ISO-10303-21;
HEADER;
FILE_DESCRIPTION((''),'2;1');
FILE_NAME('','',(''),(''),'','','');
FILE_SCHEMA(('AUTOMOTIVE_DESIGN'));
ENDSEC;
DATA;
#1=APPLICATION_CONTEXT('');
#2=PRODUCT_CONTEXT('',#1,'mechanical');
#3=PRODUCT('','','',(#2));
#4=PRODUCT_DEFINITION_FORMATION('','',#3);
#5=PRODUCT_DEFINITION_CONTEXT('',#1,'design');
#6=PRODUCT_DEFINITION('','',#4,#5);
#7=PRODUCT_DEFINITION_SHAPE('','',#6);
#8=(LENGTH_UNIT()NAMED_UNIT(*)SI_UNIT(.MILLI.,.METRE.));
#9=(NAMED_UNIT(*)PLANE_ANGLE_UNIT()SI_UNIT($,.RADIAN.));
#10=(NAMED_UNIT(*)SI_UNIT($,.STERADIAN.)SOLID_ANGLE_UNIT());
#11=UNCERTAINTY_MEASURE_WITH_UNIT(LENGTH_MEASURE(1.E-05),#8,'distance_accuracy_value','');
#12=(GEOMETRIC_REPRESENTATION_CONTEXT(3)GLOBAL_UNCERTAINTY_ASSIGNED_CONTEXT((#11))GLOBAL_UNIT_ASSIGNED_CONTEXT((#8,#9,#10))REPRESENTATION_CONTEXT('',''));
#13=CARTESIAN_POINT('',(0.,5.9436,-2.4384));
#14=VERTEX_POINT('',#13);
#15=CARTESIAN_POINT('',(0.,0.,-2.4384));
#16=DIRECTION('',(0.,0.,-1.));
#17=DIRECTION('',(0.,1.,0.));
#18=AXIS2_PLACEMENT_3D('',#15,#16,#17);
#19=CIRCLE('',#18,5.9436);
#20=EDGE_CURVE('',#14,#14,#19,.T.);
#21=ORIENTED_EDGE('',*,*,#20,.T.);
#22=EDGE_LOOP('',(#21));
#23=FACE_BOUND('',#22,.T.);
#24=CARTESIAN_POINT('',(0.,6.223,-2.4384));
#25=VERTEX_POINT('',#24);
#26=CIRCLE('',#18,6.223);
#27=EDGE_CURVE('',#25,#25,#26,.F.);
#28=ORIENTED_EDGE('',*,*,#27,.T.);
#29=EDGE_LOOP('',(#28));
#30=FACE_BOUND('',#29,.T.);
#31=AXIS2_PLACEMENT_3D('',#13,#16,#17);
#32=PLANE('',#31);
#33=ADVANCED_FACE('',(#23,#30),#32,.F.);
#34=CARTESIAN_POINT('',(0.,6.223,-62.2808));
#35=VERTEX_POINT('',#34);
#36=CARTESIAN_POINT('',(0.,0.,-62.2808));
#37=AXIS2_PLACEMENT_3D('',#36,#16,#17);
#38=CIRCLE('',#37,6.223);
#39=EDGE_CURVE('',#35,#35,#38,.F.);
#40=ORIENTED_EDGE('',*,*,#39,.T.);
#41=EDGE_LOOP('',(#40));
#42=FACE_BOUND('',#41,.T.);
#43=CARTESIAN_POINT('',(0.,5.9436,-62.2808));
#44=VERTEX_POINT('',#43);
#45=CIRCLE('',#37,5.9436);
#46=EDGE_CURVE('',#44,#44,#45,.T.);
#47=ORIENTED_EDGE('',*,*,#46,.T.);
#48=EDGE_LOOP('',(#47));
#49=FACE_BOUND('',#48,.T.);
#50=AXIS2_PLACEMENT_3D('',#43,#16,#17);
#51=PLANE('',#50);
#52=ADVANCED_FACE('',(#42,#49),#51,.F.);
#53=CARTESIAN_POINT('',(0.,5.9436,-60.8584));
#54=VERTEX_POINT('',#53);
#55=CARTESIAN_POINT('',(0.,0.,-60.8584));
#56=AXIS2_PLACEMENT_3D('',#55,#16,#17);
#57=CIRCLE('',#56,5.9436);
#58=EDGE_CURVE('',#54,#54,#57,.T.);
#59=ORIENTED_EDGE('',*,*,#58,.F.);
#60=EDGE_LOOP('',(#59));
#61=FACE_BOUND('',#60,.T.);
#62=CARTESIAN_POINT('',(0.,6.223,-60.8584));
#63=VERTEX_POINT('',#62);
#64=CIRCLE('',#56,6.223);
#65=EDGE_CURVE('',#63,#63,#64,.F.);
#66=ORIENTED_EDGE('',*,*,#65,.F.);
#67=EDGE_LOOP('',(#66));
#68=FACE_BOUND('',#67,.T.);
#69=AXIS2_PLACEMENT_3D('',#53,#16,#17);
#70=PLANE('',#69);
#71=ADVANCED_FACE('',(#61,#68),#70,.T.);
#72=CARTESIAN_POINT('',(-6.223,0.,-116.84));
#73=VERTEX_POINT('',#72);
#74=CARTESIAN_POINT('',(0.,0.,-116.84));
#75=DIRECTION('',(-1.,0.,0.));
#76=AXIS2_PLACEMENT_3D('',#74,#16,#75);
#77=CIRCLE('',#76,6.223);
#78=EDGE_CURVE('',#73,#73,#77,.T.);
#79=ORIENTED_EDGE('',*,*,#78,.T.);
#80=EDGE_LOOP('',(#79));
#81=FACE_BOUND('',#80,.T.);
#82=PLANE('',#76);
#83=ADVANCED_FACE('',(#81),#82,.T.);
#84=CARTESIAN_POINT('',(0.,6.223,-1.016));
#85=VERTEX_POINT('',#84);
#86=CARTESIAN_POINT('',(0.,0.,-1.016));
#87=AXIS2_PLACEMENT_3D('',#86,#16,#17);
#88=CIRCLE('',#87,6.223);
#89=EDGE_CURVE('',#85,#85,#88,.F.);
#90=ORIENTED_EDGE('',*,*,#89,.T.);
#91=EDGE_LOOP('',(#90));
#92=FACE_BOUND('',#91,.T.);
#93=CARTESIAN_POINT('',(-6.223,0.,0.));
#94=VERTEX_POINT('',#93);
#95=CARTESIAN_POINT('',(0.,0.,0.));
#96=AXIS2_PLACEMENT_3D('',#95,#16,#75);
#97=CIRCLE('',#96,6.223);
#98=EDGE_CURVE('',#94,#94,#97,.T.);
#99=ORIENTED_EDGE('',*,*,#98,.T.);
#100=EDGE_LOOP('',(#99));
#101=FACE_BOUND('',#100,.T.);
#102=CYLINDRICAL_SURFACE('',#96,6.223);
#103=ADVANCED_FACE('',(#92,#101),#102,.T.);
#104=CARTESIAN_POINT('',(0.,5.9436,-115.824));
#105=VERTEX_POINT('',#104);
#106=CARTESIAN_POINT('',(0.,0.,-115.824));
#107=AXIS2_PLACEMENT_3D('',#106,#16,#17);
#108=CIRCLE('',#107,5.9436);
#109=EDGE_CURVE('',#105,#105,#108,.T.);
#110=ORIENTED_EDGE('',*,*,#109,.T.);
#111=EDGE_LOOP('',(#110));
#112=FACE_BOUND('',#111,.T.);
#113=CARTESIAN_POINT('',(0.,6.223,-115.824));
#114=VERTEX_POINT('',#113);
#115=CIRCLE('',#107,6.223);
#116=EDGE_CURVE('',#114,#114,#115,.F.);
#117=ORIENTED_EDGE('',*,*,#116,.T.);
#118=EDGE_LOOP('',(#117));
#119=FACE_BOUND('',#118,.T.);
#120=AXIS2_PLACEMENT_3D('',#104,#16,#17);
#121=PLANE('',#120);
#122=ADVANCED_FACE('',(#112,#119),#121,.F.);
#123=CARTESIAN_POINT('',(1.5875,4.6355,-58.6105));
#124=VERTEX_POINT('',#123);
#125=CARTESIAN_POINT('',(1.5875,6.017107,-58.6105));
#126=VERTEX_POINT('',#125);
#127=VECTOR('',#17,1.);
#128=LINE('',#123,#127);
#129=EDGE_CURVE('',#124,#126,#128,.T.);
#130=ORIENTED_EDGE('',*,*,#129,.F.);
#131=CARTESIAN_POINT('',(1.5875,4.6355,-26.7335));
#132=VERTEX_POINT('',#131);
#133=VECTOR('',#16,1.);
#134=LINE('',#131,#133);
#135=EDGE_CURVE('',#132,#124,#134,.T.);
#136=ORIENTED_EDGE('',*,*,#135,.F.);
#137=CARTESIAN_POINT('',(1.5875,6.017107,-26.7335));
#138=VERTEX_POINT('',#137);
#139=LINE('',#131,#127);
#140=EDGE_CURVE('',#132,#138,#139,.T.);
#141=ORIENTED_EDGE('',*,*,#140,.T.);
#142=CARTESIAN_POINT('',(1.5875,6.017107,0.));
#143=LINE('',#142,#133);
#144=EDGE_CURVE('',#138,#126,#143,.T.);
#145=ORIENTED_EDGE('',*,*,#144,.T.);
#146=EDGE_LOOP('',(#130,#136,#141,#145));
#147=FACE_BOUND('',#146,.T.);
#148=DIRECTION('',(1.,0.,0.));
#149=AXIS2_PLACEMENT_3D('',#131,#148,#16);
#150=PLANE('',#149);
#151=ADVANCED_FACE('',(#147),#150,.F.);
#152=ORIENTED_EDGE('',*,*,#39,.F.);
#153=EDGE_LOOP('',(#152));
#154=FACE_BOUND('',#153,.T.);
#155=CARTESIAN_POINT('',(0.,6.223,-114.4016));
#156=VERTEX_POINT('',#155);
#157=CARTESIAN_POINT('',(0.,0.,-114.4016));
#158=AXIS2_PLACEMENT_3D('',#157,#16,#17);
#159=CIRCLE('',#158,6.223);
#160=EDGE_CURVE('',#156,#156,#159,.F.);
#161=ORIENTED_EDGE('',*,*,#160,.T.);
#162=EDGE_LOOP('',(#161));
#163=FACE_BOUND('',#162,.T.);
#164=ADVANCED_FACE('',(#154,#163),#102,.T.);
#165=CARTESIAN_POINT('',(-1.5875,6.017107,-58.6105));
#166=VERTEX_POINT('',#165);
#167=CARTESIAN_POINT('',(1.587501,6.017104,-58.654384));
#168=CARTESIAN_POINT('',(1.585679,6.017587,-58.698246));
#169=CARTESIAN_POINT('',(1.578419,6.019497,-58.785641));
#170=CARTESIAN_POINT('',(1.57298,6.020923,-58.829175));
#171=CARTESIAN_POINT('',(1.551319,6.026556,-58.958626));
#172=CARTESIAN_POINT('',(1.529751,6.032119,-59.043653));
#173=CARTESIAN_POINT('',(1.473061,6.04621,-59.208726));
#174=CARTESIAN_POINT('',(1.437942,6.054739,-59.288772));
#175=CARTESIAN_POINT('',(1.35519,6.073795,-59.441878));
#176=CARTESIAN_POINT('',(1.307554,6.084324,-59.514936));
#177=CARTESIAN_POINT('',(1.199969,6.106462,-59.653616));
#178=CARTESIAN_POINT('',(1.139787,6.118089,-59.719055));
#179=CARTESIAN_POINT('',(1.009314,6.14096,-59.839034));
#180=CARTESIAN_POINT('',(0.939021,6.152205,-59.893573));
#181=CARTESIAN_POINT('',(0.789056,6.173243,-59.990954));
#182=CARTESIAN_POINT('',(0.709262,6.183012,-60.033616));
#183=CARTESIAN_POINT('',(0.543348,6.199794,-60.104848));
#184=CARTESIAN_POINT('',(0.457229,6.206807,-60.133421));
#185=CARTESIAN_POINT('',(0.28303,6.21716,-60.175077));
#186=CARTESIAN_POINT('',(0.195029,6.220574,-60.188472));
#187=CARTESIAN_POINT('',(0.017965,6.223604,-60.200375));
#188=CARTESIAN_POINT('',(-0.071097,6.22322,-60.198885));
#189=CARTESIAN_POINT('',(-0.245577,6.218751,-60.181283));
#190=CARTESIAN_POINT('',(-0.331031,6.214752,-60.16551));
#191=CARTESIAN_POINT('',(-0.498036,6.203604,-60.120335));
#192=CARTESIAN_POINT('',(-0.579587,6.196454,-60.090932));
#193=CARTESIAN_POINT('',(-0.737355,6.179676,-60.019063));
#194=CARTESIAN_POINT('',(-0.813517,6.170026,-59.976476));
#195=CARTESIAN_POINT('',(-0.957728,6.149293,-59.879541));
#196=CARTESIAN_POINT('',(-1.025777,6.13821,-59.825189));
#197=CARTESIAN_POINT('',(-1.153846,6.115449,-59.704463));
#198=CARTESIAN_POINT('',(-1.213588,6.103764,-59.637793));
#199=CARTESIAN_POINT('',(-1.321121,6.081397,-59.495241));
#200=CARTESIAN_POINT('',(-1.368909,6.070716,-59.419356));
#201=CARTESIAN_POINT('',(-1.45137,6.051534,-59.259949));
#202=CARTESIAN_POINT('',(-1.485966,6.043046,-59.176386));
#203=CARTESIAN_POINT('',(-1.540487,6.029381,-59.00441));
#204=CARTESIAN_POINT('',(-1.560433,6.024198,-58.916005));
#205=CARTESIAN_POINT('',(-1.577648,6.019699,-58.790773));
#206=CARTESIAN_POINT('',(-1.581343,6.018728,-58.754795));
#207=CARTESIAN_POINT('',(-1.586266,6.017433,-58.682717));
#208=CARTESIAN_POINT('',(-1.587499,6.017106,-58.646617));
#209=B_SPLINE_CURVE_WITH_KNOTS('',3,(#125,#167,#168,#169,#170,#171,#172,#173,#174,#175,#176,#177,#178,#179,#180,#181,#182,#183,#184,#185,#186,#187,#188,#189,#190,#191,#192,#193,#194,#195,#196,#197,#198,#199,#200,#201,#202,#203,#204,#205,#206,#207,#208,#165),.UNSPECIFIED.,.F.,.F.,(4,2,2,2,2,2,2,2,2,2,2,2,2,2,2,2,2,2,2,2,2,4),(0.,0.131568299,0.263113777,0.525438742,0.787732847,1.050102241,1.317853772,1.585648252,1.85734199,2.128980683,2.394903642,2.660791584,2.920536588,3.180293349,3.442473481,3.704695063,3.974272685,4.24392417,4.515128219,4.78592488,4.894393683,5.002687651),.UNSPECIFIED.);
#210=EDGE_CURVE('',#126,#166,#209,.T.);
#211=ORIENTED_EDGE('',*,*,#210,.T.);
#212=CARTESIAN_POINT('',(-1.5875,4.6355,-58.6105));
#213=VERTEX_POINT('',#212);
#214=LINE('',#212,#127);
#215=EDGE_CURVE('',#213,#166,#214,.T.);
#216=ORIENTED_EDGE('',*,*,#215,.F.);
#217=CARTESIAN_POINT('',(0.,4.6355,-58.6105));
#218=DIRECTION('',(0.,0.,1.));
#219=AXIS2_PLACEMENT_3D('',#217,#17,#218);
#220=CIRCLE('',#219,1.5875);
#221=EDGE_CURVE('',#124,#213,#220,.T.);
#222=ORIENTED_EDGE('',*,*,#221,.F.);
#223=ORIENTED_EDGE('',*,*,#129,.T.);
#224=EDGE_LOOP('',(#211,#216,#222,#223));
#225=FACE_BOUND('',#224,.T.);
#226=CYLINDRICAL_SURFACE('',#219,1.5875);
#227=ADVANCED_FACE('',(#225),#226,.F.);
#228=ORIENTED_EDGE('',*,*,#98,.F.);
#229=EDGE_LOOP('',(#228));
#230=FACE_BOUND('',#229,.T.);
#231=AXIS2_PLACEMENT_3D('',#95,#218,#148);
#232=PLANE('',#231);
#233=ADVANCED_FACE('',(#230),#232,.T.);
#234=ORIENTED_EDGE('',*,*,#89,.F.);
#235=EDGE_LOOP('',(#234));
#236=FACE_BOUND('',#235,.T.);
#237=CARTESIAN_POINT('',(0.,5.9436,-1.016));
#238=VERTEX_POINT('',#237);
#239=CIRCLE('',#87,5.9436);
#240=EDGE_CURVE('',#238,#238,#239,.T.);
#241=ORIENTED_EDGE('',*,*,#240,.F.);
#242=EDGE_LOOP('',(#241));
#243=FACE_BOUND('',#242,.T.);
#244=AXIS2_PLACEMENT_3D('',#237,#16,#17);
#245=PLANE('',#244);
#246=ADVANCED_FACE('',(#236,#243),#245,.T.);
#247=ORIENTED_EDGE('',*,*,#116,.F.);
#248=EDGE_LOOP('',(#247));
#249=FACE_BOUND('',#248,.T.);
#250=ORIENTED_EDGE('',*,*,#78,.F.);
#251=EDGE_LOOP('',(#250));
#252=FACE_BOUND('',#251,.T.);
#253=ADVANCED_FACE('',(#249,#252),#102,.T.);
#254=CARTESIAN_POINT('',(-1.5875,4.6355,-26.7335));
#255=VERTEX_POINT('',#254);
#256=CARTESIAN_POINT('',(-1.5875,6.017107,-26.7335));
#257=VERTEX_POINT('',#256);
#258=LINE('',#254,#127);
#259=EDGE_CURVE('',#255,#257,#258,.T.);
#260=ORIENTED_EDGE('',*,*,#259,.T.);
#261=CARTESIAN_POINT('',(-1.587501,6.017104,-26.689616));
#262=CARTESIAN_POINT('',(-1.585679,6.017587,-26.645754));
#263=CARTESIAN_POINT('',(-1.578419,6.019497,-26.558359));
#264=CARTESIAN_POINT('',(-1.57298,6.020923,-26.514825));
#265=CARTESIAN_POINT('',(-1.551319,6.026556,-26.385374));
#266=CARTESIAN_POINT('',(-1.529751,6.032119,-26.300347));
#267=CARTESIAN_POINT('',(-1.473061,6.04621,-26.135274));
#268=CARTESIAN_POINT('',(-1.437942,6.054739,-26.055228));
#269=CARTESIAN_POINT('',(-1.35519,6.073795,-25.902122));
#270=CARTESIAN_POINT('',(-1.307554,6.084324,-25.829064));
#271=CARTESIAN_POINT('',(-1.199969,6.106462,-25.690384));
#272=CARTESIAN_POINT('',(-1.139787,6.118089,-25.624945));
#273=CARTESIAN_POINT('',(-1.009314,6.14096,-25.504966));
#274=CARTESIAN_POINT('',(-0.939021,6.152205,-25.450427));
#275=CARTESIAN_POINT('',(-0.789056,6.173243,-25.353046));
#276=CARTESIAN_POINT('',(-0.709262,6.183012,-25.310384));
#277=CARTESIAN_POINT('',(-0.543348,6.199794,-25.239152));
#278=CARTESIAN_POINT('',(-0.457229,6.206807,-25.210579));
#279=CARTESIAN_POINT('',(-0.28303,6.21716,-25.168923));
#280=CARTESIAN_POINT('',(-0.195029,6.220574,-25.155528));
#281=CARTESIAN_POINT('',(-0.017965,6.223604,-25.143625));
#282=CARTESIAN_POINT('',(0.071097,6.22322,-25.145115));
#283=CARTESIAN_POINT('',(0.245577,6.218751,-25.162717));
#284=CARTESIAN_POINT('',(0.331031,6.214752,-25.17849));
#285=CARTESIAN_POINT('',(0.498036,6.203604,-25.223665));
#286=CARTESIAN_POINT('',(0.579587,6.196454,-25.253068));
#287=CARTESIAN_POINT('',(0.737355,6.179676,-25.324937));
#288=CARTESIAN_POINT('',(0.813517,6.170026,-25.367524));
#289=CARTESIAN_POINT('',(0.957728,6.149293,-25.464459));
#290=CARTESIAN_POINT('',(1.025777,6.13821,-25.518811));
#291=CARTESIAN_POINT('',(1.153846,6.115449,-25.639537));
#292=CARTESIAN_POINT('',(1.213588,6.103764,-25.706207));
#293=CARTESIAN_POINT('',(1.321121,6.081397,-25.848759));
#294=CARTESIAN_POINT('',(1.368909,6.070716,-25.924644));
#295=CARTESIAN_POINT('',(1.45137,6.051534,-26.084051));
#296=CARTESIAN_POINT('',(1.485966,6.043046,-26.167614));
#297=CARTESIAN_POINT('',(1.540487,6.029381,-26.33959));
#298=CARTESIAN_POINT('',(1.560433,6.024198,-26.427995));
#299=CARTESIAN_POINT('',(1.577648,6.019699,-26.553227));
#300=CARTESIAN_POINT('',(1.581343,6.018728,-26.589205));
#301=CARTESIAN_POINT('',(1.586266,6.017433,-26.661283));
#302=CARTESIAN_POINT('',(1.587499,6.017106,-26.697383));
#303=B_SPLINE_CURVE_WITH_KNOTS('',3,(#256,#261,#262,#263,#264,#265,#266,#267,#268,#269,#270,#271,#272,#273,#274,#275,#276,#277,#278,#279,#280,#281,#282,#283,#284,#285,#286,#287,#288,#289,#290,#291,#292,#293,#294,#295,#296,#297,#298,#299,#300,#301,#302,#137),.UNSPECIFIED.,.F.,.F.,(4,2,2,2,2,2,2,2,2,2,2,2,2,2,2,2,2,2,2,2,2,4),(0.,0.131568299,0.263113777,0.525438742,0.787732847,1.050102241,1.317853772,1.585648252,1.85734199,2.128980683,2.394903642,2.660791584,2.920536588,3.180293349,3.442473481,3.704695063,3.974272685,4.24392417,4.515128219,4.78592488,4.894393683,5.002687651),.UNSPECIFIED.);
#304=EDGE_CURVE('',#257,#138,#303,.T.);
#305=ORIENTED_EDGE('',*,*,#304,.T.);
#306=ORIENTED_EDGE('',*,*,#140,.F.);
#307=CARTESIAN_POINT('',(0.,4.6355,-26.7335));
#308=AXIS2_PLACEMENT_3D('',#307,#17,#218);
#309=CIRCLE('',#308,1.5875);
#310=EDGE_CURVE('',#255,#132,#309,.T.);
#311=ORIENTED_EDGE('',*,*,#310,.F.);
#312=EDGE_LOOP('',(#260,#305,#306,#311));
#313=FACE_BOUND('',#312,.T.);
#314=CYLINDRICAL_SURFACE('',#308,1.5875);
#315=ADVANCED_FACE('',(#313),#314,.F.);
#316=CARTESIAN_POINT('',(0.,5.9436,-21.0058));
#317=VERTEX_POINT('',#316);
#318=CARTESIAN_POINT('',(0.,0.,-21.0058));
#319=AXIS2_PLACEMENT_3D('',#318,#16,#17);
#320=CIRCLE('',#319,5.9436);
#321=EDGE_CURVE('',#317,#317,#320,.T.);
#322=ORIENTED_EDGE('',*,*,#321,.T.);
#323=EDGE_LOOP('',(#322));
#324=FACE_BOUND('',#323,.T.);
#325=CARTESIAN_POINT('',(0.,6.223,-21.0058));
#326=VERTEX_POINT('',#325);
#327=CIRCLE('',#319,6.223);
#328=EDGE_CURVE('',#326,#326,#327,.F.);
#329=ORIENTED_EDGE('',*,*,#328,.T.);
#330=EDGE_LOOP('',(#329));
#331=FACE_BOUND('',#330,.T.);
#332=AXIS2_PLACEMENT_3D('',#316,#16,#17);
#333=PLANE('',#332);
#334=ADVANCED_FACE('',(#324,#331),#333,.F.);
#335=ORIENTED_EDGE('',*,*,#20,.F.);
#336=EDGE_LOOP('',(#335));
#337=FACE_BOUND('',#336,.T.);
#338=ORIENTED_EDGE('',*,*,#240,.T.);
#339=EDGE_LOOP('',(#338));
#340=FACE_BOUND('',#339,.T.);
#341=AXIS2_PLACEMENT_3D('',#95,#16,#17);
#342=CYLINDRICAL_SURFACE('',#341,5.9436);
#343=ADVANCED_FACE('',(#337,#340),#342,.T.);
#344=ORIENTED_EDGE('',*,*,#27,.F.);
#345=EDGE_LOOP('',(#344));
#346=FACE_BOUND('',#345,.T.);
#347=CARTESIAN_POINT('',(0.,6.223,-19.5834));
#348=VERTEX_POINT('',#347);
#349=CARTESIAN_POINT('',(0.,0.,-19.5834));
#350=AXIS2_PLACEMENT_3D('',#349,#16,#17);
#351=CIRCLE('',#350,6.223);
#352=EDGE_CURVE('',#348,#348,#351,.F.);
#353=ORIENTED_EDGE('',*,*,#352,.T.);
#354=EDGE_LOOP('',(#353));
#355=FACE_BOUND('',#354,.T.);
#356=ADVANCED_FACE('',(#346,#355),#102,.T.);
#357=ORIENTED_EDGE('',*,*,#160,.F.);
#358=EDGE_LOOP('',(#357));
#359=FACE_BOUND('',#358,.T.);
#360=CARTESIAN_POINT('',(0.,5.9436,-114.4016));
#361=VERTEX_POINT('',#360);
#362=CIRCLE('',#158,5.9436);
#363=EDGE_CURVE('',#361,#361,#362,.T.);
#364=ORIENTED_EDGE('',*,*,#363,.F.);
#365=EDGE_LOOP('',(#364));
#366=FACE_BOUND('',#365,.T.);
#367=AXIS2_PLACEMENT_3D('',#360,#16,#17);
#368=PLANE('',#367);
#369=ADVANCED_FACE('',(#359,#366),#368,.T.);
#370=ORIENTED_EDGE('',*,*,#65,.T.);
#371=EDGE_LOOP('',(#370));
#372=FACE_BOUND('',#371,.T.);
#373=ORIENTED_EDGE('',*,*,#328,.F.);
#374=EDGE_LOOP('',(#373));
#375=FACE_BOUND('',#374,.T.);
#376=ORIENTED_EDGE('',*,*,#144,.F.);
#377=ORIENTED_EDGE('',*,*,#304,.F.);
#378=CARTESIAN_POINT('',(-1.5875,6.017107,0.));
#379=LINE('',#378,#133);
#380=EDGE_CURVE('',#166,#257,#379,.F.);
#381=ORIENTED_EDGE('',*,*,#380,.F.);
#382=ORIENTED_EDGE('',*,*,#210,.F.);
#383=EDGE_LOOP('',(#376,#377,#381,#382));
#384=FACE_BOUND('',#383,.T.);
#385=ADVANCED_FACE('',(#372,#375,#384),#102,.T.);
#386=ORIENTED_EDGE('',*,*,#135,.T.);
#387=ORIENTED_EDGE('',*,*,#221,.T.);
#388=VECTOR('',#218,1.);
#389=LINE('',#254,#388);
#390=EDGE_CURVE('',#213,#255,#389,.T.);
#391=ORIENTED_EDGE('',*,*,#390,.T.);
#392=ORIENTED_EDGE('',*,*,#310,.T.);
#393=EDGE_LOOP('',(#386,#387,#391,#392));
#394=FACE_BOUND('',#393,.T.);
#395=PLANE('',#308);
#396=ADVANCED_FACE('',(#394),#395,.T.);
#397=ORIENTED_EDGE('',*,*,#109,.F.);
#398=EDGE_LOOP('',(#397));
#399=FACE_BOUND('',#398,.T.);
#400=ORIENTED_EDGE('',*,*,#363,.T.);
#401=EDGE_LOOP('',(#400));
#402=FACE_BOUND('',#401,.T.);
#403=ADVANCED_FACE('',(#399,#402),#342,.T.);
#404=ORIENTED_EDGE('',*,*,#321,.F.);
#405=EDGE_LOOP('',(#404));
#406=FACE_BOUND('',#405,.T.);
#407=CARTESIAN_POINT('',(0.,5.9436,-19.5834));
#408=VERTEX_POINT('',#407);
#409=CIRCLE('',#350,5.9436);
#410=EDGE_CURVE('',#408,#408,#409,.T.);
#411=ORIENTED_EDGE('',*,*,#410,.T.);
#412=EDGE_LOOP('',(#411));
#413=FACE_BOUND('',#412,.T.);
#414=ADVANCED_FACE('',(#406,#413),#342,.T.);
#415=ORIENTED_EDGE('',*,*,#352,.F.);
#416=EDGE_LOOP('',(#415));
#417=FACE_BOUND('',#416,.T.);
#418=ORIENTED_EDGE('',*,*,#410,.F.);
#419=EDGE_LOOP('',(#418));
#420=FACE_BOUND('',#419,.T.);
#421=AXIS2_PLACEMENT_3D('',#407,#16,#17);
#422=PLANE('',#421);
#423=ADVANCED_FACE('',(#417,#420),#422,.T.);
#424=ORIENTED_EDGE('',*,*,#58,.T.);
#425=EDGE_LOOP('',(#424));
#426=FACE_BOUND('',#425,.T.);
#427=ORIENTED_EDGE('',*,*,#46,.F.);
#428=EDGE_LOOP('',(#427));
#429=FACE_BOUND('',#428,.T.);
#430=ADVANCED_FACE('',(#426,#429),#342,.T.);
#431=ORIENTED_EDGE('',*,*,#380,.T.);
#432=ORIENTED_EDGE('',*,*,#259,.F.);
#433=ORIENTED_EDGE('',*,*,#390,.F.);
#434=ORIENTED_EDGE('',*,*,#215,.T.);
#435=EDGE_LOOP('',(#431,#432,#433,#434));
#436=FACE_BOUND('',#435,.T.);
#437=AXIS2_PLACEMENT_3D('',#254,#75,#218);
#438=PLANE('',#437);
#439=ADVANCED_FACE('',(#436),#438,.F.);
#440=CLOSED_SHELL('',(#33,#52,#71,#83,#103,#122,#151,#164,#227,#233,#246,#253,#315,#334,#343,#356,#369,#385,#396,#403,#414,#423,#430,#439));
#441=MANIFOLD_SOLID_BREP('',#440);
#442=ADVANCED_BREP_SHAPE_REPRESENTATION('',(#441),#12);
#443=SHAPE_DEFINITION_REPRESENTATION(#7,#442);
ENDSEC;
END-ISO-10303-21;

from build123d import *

# Parameters (mm, degrees)
SKETCH1_W          = 116.84
SKETCH1_H          = 6.223
SKETCH3_W          = 1.4224
SKETCH3_H          = 0.5588
CUT_EXTRUDE1_DEPTH = 1.5875


with BuildPart() as part:
    # Sketch1 → Revolve1 (revolve)
    with BuildSketch(Plane(origin=(0, 0, 0), x_dir=(0, 0, -1), z_dir=(1, 0, 0))):
        with Locations((58.42, 3.1115)):
            Rectangle(SKETCH1_W, SKETCH1_H)
    revolve(axis=Axis((0, 0, 0), (0, 0, 1)))

    # Sketch3 → Cut-Revolve1 (revolve, cut)
    with BuildSketch(Plane(origin=(0, 0, 0), x_dir=(0, 0, -1), z_dir=(1, 0, 0))):
        with Locations((1.7272, 6.223)):
            Rectangle(SKETCH3_W, SKETCH3_H)
        with Locations((61.5696, 6.223)):
            Rectangle(SKETCH3_W, SKETCH3_H)
        with Locations((20.2946, 6.223)):
            Rectangle(SKETCH3_W, SKETCH3_H)
        with Locations((115.1128, 6.223)):
            Rectangle(SKETCH3_W, SKETCH3_H)
    revolve(axis=Axis((0, 0, 0), (0, 0, 1)), mode=Mode.SUBTRACT)

    # Sketch4 → Cut-Extrude1 (cut)
    with BuildSketch(Plane(origin=(0, 6.223, 0), x_dir=(1, 0, 0), z_dir=(0, 1, 0))):
        with BuildLine():
            Line((-1.5875, 26.7335), (-1.5875, 58.6105))
            ThreePointArc((-1.5875, 58.6105), (0, 60.198), (1.5875, 58.6105))
            Line((1.5875, 58.6105), (1.5875, 26.7335))
            ThreePointArc((1.5875, 26.7335), (0, 25.146), (-1.5875, 26.7335))
        make_face()
    extrude(amount=-CUT_EXTRUDE1_DEPTH, mode=Mode.SUBTRACT)


solid = part.part
